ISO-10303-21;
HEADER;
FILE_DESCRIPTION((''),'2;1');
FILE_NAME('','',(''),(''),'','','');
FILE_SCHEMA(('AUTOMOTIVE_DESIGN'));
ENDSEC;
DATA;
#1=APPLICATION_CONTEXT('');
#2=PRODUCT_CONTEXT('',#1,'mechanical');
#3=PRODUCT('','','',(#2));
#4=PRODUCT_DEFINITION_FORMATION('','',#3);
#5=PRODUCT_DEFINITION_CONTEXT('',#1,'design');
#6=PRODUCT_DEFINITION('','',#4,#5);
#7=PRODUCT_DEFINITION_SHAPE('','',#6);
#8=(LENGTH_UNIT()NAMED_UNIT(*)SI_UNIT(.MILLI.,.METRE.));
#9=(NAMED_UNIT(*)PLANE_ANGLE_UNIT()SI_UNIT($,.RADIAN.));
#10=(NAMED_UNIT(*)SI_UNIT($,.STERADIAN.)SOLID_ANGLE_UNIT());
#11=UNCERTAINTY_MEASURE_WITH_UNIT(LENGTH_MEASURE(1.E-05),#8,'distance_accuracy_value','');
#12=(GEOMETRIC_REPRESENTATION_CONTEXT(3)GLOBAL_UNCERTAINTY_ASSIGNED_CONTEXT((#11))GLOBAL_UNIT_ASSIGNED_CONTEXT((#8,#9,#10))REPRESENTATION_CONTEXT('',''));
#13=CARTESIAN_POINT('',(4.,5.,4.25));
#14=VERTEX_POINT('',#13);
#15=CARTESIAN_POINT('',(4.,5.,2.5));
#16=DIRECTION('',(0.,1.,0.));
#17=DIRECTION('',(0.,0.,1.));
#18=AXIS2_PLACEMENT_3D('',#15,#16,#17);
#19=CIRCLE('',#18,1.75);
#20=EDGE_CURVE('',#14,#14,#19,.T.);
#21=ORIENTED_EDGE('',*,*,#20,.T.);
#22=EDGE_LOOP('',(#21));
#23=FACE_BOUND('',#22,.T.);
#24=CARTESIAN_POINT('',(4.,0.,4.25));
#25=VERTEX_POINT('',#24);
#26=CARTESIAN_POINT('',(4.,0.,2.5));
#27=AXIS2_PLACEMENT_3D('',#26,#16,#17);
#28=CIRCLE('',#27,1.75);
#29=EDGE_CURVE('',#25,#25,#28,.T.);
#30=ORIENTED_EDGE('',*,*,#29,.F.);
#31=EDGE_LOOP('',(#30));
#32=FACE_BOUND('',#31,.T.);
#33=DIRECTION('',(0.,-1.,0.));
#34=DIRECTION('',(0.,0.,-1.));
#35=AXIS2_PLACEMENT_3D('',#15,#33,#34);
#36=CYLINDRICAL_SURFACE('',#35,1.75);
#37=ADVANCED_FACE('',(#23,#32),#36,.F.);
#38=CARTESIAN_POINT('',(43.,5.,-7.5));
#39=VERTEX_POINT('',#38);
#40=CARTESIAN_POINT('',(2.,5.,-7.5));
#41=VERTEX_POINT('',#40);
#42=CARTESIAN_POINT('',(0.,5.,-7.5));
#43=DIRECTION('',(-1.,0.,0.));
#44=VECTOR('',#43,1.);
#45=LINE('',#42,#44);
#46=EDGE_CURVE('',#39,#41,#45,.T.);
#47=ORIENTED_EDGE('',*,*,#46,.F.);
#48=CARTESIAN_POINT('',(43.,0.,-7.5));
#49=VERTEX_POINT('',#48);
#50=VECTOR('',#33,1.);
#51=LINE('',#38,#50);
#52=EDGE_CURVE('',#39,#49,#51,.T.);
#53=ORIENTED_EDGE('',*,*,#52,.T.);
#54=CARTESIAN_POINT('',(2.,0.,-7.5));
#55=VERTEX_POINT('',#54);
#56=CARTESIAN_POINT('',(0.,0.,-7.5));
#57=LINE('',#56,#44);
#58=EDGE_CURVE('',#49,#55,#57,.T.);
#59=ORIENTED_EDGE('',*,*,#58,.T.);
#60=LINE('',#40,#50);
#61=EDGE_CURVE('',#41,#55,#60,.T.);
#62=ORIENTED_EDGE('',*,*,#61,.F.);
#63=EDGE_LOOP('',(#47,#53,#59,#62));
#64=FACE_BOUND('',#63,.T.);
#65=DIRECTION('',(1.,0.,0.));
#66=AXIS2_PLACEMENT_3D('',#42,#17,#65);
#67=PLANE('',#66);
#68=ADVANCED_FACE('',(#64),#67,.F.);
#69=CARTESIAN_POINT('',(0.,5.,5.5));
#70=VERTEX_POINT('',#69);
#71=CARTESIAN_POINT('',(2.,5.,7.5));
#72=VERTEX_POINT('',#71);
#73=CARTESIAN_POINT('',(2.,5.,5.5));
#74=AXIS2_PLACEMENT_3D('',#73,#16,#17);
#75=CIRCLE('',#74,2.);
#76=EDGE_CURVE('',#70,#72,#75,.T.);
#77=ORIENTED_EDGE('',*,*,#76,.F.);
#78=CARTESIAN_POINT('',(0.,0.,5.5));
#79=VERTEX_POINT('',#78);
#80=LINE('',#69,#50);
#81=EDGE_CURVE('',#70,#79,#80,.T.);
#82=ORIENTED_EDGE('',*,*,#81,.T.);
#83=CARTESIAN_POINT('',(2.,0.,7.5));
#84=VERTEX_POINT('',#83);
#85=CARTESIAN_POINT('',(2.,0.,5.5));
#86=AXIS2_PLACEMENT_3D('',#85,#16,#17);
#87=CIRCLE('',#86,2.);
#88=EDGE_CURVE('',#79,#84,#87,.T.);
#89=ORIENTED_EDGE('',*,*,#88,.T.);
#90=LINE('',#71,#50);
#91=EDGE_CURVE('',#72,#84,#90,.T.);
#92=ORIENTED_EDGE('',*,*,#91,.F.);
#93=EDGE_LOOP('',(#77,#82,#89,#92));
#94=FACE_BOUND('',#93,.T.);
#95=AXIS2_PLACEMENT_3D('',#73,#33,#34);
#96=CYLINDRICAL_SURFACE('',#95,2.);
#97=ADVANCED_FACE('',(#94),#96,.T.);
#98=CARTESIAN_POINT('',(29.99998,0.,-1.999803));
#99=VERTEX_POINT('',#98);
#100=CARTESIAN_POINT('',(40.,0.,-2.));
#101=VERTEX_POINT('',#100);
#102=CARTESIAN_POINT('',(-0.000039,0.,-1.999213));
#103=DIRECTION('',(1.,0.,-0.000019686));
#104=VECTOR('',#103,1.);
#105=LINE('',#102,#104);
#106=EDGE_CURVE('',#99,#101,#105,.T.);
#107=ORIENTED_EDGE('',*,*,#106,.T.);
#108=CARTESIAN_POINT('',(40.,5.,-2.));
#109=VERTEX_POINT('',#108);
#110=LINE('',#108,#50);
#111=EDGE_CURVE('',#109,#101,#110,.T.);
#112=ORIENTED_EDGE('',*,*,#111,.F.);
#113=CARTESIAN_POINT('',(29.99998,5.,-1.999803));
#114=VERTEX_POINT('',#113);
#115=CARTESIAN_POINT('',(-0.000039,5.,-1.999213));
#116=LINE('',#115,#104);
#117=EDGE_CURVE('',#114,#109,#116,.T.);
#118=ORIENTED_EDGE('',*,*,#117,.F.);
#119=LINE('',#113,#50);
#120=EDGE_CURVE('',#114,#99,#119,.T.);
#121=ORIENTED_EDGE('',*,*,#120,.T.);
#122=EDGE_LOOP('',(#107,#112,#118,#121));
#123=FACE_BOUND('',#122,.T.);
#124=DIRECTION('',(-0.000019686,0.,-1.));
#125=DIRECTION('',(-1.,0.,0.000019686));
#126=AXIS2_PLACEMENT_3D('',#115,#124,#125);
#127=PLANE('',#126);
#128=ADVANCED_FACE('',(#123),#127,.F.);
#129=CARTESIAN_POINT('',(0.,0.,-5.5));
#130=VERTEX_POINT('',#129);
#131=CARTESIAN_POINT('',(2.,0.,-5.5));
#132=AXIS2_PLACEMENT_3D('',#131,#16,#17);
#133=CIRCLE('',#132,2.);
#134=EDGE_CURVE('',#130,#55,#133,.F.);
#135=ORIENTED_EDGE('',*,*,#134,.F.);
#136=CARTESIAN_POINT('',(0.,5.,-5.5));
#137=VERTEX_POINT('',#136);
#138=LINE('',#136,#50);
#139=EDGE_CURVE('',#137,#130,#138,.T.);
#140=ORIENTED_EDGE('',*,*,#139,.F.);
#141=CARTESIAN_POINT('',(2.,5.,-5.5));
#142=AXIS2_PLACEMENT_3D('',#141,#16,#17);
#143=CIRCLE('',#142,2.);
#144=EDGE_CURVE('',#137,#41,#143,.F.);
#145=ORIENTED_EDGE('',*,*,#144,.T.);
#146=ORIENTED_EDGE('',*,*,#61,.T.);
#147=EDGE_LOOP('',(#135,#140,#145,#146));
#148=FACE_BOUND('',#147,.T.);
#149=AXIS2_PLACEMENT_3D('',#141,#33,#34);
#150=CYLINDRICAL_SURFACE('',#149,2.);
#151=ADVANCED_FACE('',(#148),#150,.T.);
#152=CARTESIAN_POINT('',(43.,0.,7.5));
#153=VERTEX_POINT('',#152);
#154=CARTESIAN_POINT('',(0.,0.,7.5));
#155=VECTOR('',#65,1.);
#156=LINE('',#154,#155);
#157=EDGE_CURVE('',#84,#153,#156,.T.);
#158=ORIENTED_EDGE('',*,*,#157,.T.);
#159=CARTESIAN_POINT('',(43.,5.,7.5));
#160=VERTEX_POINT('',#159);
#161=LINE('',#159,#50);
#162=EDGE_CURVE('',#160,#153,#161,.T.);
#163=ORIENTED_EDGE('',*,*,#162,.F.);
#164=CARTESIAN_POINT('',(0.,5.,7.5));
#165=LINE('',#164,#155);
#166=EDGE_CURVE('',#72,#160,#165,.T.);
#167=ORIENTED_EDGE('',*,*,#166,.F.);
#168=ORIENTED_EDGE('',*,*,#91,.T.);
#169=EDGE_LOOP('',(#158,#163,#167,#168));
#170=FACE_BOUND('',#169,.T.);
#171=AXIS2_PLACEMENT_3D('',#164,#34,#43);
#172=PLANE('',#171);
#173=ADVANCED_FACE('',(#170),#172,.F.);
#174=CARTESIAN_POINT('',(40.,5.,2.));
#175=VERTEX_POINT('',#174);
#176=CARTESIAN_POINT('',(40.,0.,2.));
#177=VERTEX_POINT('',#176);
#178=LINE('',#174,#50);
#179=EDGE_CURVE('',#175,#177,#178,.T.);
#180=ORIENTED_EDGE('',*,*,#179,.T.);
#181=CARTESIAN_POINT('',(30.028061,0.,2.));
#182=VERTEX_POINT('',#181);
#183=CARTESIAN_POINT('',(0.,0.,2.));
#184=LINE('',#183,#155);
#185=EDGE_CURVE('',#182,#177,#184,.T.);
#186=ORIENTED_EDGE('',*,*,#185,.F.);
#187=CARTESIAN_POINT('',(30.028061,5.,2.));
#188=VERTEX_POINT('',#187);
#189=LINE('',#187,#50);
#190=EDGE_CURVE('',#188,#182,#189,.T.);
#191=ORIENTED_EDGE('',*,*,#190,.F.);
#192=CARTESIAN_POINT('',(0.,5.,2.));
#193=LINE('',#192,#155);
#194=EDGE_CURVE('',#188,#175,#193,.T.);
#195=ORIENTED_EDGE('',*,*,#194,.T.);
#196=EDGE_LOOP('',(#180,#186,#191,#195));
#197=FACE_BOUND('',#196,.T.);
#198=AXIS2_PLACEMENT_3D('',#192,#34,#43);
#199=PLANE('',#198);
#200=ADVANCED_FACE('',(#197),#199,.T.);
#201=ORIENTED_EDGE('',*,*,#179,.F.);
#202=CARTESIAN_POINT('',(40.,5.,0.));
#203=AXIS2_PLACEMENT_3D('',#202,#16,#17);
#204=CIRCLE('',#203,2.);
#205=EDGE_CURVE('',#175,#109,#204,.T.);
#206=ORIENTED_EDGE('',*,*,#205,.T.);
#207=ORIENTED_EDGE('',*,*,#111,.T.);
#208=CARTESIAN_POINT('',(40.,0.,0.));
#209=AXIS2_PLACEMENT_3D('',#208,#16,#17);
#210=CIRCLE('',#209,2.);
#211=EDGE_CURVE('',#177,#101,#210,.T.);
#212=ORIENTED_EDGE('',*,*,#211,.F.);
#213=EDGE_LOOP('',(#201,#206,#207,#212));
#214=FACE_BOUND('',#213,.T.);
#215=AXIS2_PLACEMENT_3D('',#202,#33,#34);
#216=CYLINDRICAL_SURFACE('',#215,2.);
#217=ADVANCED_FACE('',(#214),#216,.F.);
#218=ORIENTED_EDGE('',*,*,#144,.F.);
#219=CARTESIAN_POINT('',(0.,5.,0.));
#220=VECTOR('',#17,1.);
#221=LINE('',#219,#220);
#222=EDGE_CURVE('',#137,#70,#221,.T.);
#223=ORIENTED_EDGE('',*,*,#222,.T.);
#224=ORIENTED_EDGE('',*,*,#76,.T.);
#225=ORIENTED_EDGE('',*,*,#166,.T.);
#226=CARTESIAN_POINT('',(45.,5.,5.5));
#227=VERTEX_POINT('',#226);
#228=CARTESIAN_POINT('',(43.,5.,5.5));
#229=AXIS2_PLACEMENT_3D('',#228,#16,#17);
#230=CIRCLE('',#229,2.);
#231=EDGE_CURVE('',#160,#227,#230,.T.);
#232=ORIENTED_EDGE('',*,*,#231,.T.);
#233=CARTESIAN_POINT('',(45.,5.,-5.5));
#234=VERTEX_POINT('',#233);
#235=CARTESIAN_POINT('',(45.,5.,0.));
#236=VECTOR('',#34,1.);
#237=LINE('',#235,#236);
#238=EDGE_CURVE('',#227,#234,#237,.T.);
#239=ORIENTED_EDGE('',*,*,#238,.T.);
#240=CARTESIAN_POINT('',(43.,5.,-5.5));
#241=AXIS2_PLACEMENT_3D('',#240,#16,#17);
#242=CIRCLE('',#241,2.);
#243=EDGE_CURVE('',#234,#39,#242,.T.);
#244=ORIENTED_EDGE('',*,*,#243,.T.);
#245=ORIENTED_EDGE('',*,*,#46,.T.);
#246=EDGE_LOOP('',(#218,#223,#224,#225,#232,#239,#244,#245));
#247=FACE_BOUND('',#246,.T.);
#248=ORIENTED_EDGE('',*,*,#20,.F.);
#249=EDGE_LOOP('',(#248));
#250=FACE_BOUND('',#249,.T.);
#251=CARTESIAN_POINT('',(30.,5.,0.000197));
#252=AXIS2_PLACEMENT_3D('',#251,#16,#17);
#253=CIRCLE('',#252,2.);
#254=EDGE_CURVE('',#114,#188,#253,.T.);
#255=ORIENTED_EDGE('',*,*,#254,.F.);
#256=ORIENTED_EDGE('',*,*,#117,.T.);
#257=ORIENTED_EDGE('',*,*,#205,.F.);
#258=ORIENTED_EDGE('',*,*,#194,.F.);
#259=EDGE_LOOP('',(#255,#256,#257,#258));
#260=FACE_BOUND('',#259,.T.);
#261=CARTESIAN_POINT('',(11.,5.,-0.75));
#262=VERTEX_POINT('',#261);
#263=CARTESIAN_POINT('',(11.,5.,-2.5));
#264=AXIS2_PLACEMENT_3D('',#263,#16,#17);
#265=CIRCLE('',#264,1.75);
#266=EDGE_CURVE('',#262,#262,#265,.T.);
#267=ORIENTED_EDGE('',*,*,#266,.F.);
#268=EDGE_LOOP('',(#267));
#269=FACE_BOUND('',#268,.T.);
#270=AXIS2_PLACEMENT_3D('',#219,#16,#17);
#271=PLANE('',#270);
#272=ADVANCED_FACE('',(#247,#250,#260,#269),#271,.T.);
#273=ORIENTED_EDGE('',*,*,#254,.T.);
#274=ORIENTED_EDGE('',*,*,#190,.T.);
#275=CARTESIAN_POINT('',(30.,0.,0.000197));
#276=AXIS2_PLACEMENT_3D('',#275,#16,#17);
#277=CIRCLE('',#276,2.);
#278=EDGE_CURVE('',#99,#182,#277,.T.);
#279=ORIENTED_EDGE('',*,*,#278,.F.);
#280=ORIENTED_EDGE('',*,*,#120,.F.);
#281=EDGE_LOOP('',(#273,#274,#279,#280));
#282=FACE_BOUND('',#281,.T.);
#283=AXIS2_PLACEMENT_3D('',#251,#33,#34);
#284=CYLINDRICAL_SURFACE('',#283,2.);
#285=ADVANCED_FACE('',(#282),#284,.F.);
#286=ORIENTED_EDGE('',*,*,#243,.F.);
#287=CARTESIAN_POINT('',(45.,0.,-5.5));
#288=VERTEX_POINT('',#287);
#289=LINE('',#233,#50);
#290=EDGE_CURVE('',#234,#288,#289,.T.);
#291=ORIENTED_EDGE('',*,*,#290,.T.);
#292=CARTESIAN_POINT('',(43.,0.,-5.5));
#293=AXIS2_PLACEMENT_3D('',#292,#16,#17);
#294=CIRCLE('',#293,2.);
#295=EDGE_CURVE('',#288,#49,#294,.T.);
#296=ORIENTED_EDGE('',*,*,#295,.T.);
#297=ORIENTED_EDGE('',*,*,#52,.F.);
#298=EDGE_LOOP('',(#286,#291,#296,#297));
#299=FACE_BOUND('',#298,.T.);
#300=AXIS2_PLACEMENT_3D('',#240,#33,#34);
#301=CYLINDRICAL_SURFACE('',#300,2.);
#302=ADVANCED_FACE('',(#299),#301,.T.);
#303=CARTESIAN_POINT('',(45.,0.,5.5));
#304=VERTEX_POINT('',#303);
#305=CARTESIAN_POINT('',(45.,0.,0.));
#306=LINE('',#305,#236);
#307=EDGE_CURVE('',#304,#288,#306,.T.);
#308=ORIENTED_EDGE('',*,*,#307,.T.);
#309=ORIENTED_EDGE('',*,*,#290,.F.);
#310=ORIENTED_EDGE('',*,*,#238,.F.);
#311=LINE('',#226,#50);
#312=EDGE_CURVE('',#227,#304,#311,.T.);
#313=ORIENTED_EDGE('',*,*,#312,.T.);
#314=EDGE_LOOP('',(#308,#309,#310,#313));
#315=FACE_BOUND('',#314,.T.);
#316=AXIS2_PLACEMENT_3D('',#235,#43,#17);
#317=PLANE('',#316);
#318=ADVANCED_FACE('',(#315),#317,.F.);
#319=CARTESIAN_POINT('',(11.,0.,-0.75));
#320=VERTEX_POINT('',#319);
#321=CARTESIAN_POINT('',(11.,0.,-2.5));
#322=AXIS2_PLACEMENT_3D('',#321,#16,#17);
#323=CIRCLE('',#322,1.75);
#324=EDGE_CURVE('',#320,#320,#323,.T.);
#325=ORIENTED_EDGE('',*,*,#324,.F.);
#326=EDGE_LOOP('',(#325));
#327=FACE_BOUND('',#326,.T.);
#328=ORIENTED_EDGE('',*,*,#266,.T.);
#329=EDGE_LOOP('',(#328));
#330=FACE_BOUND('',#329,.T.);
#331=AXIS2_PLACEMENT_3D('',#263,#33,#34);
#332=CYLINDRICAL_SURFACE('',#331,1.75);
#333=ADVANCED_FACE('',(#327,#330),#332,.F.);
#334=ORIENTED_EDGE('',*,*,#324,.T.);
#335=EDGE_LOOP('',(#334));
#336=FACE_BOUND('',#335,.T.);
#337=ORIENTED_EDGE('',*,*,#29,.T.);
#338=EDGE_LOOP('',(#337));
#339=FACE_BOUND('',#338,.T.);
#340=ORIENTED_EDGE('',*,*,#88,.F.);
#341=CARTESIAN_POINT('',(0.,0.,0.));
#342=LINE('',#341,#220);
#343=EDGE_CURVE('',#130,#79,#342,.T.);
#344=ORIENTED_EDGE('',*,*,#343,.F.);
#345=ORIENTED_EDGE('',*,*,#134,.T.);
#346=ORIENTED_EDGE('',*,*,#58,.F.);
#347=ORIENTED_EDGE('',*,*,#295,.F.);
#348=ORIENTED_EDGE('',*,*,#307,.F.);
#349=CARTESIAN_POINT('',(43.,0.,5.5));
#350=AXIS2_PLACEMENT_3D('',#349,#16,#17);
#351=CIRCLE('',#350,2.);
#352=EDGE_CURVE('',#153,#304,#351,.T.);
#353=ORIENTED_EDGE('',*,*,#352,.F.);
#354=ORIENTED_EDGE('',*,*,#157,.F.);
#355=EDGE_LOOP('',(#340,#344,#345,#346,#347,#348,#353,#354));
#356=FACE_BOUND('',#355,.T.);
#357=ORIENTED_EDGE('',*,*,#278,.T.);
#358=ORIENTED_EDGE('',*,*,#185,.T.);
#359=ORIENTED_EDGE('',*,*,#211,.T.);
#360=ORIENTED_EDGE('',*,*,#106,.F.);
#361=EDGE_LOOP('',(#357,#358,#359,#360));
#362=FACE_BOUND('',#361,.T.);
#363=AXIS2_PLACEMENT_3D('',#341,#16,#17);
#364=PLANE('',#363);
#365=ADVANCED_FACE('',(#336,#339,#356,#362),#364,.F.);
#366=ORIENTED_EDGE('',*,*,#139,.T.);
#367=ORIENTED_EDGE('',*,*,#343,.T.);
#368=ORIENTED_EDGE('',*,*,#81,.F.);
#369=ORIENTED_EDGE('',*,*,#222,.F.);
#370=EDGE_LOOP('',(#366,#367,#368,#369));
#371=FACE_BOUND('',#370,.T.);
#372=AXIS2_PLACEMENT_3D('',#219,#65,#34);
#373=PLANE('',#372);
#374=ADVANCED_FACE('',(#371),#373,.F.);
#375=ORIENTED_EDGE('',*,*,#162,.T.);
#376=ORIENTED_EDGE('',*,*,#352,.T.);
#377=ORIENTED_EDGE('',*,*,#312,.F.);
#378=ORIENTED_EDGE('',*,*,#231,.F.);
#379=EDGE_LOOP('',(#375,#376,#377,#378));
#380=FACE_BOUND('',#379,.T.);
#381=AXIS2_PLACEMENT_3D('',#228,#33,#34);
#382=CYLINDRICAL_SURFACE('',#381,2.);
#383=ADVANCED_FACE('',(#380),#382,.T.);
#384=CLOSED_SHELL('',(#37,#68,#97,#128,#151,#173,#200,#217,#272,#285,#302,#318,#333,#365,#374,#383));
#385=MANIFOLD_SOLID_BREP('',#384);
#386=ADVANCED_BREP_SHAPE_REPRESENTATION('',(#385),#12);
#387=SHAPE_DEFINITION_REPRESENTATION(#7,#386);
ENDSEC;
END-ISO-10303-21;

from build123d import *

# Parameters (mm, degrees)
SKETCH_1_R      = 1.75
EXTRUDE_1_DEPTH = 5


with BuildPart() as part:
    # 草图1 → 凸台-拉伸1 (new body)
    with BuildSketch(Plane(origin=(0, 0, 0), x_dir=(1, 0, 0), z_dir=(0, 1, 0))):
        with BuildLine():
            Line((0, 5.5), (0, -5.5))
            ThreePointArc((0, -5.5), (0.585786438, -6.914213562), (2, -7.5))
            Line((2, -7.5), (43, -7.5))
            ThreePointArc((43, -7.5), (44.414213562, -6.914213562), (45, -5.5))
            Line((45, -5.5), (45, 5.5))
            ThreePointArc((45, 5.5), (44.414213562, 6.914213562), (43, 7.5))
            Line((43, 7.5), (2, 7.5))
            ThreePointArc((2, 7.5), (0.585786438, 6.914213562), (0, 5.5))
        make_face()
        with Locations((4, -2.5)):
            Circle(SKETCH_1_R, mode=Mode.SUBTRACT)
        with Locations((11, 2.5)):
            Circle(SKETCH_1_R, mode=Mode.SUBTRACT)
        with BuildLine():
            Line((30.028060952, -2), (40, -2))
            ThreePointArc((40, -2), (42, 3.9373e-05), (40, 2))
            Line((40, 2), (29.99998029, 1.999803136))
            ThreePointArc((29.99998029, 1.999803136), (28.000049288, -0.014237539), (30.028060952, -2))
        make_face(mode=Mode.SUBTRACT)
    extrude(amount=EXTRUDE_1_DEPTH)


solid = part.part
